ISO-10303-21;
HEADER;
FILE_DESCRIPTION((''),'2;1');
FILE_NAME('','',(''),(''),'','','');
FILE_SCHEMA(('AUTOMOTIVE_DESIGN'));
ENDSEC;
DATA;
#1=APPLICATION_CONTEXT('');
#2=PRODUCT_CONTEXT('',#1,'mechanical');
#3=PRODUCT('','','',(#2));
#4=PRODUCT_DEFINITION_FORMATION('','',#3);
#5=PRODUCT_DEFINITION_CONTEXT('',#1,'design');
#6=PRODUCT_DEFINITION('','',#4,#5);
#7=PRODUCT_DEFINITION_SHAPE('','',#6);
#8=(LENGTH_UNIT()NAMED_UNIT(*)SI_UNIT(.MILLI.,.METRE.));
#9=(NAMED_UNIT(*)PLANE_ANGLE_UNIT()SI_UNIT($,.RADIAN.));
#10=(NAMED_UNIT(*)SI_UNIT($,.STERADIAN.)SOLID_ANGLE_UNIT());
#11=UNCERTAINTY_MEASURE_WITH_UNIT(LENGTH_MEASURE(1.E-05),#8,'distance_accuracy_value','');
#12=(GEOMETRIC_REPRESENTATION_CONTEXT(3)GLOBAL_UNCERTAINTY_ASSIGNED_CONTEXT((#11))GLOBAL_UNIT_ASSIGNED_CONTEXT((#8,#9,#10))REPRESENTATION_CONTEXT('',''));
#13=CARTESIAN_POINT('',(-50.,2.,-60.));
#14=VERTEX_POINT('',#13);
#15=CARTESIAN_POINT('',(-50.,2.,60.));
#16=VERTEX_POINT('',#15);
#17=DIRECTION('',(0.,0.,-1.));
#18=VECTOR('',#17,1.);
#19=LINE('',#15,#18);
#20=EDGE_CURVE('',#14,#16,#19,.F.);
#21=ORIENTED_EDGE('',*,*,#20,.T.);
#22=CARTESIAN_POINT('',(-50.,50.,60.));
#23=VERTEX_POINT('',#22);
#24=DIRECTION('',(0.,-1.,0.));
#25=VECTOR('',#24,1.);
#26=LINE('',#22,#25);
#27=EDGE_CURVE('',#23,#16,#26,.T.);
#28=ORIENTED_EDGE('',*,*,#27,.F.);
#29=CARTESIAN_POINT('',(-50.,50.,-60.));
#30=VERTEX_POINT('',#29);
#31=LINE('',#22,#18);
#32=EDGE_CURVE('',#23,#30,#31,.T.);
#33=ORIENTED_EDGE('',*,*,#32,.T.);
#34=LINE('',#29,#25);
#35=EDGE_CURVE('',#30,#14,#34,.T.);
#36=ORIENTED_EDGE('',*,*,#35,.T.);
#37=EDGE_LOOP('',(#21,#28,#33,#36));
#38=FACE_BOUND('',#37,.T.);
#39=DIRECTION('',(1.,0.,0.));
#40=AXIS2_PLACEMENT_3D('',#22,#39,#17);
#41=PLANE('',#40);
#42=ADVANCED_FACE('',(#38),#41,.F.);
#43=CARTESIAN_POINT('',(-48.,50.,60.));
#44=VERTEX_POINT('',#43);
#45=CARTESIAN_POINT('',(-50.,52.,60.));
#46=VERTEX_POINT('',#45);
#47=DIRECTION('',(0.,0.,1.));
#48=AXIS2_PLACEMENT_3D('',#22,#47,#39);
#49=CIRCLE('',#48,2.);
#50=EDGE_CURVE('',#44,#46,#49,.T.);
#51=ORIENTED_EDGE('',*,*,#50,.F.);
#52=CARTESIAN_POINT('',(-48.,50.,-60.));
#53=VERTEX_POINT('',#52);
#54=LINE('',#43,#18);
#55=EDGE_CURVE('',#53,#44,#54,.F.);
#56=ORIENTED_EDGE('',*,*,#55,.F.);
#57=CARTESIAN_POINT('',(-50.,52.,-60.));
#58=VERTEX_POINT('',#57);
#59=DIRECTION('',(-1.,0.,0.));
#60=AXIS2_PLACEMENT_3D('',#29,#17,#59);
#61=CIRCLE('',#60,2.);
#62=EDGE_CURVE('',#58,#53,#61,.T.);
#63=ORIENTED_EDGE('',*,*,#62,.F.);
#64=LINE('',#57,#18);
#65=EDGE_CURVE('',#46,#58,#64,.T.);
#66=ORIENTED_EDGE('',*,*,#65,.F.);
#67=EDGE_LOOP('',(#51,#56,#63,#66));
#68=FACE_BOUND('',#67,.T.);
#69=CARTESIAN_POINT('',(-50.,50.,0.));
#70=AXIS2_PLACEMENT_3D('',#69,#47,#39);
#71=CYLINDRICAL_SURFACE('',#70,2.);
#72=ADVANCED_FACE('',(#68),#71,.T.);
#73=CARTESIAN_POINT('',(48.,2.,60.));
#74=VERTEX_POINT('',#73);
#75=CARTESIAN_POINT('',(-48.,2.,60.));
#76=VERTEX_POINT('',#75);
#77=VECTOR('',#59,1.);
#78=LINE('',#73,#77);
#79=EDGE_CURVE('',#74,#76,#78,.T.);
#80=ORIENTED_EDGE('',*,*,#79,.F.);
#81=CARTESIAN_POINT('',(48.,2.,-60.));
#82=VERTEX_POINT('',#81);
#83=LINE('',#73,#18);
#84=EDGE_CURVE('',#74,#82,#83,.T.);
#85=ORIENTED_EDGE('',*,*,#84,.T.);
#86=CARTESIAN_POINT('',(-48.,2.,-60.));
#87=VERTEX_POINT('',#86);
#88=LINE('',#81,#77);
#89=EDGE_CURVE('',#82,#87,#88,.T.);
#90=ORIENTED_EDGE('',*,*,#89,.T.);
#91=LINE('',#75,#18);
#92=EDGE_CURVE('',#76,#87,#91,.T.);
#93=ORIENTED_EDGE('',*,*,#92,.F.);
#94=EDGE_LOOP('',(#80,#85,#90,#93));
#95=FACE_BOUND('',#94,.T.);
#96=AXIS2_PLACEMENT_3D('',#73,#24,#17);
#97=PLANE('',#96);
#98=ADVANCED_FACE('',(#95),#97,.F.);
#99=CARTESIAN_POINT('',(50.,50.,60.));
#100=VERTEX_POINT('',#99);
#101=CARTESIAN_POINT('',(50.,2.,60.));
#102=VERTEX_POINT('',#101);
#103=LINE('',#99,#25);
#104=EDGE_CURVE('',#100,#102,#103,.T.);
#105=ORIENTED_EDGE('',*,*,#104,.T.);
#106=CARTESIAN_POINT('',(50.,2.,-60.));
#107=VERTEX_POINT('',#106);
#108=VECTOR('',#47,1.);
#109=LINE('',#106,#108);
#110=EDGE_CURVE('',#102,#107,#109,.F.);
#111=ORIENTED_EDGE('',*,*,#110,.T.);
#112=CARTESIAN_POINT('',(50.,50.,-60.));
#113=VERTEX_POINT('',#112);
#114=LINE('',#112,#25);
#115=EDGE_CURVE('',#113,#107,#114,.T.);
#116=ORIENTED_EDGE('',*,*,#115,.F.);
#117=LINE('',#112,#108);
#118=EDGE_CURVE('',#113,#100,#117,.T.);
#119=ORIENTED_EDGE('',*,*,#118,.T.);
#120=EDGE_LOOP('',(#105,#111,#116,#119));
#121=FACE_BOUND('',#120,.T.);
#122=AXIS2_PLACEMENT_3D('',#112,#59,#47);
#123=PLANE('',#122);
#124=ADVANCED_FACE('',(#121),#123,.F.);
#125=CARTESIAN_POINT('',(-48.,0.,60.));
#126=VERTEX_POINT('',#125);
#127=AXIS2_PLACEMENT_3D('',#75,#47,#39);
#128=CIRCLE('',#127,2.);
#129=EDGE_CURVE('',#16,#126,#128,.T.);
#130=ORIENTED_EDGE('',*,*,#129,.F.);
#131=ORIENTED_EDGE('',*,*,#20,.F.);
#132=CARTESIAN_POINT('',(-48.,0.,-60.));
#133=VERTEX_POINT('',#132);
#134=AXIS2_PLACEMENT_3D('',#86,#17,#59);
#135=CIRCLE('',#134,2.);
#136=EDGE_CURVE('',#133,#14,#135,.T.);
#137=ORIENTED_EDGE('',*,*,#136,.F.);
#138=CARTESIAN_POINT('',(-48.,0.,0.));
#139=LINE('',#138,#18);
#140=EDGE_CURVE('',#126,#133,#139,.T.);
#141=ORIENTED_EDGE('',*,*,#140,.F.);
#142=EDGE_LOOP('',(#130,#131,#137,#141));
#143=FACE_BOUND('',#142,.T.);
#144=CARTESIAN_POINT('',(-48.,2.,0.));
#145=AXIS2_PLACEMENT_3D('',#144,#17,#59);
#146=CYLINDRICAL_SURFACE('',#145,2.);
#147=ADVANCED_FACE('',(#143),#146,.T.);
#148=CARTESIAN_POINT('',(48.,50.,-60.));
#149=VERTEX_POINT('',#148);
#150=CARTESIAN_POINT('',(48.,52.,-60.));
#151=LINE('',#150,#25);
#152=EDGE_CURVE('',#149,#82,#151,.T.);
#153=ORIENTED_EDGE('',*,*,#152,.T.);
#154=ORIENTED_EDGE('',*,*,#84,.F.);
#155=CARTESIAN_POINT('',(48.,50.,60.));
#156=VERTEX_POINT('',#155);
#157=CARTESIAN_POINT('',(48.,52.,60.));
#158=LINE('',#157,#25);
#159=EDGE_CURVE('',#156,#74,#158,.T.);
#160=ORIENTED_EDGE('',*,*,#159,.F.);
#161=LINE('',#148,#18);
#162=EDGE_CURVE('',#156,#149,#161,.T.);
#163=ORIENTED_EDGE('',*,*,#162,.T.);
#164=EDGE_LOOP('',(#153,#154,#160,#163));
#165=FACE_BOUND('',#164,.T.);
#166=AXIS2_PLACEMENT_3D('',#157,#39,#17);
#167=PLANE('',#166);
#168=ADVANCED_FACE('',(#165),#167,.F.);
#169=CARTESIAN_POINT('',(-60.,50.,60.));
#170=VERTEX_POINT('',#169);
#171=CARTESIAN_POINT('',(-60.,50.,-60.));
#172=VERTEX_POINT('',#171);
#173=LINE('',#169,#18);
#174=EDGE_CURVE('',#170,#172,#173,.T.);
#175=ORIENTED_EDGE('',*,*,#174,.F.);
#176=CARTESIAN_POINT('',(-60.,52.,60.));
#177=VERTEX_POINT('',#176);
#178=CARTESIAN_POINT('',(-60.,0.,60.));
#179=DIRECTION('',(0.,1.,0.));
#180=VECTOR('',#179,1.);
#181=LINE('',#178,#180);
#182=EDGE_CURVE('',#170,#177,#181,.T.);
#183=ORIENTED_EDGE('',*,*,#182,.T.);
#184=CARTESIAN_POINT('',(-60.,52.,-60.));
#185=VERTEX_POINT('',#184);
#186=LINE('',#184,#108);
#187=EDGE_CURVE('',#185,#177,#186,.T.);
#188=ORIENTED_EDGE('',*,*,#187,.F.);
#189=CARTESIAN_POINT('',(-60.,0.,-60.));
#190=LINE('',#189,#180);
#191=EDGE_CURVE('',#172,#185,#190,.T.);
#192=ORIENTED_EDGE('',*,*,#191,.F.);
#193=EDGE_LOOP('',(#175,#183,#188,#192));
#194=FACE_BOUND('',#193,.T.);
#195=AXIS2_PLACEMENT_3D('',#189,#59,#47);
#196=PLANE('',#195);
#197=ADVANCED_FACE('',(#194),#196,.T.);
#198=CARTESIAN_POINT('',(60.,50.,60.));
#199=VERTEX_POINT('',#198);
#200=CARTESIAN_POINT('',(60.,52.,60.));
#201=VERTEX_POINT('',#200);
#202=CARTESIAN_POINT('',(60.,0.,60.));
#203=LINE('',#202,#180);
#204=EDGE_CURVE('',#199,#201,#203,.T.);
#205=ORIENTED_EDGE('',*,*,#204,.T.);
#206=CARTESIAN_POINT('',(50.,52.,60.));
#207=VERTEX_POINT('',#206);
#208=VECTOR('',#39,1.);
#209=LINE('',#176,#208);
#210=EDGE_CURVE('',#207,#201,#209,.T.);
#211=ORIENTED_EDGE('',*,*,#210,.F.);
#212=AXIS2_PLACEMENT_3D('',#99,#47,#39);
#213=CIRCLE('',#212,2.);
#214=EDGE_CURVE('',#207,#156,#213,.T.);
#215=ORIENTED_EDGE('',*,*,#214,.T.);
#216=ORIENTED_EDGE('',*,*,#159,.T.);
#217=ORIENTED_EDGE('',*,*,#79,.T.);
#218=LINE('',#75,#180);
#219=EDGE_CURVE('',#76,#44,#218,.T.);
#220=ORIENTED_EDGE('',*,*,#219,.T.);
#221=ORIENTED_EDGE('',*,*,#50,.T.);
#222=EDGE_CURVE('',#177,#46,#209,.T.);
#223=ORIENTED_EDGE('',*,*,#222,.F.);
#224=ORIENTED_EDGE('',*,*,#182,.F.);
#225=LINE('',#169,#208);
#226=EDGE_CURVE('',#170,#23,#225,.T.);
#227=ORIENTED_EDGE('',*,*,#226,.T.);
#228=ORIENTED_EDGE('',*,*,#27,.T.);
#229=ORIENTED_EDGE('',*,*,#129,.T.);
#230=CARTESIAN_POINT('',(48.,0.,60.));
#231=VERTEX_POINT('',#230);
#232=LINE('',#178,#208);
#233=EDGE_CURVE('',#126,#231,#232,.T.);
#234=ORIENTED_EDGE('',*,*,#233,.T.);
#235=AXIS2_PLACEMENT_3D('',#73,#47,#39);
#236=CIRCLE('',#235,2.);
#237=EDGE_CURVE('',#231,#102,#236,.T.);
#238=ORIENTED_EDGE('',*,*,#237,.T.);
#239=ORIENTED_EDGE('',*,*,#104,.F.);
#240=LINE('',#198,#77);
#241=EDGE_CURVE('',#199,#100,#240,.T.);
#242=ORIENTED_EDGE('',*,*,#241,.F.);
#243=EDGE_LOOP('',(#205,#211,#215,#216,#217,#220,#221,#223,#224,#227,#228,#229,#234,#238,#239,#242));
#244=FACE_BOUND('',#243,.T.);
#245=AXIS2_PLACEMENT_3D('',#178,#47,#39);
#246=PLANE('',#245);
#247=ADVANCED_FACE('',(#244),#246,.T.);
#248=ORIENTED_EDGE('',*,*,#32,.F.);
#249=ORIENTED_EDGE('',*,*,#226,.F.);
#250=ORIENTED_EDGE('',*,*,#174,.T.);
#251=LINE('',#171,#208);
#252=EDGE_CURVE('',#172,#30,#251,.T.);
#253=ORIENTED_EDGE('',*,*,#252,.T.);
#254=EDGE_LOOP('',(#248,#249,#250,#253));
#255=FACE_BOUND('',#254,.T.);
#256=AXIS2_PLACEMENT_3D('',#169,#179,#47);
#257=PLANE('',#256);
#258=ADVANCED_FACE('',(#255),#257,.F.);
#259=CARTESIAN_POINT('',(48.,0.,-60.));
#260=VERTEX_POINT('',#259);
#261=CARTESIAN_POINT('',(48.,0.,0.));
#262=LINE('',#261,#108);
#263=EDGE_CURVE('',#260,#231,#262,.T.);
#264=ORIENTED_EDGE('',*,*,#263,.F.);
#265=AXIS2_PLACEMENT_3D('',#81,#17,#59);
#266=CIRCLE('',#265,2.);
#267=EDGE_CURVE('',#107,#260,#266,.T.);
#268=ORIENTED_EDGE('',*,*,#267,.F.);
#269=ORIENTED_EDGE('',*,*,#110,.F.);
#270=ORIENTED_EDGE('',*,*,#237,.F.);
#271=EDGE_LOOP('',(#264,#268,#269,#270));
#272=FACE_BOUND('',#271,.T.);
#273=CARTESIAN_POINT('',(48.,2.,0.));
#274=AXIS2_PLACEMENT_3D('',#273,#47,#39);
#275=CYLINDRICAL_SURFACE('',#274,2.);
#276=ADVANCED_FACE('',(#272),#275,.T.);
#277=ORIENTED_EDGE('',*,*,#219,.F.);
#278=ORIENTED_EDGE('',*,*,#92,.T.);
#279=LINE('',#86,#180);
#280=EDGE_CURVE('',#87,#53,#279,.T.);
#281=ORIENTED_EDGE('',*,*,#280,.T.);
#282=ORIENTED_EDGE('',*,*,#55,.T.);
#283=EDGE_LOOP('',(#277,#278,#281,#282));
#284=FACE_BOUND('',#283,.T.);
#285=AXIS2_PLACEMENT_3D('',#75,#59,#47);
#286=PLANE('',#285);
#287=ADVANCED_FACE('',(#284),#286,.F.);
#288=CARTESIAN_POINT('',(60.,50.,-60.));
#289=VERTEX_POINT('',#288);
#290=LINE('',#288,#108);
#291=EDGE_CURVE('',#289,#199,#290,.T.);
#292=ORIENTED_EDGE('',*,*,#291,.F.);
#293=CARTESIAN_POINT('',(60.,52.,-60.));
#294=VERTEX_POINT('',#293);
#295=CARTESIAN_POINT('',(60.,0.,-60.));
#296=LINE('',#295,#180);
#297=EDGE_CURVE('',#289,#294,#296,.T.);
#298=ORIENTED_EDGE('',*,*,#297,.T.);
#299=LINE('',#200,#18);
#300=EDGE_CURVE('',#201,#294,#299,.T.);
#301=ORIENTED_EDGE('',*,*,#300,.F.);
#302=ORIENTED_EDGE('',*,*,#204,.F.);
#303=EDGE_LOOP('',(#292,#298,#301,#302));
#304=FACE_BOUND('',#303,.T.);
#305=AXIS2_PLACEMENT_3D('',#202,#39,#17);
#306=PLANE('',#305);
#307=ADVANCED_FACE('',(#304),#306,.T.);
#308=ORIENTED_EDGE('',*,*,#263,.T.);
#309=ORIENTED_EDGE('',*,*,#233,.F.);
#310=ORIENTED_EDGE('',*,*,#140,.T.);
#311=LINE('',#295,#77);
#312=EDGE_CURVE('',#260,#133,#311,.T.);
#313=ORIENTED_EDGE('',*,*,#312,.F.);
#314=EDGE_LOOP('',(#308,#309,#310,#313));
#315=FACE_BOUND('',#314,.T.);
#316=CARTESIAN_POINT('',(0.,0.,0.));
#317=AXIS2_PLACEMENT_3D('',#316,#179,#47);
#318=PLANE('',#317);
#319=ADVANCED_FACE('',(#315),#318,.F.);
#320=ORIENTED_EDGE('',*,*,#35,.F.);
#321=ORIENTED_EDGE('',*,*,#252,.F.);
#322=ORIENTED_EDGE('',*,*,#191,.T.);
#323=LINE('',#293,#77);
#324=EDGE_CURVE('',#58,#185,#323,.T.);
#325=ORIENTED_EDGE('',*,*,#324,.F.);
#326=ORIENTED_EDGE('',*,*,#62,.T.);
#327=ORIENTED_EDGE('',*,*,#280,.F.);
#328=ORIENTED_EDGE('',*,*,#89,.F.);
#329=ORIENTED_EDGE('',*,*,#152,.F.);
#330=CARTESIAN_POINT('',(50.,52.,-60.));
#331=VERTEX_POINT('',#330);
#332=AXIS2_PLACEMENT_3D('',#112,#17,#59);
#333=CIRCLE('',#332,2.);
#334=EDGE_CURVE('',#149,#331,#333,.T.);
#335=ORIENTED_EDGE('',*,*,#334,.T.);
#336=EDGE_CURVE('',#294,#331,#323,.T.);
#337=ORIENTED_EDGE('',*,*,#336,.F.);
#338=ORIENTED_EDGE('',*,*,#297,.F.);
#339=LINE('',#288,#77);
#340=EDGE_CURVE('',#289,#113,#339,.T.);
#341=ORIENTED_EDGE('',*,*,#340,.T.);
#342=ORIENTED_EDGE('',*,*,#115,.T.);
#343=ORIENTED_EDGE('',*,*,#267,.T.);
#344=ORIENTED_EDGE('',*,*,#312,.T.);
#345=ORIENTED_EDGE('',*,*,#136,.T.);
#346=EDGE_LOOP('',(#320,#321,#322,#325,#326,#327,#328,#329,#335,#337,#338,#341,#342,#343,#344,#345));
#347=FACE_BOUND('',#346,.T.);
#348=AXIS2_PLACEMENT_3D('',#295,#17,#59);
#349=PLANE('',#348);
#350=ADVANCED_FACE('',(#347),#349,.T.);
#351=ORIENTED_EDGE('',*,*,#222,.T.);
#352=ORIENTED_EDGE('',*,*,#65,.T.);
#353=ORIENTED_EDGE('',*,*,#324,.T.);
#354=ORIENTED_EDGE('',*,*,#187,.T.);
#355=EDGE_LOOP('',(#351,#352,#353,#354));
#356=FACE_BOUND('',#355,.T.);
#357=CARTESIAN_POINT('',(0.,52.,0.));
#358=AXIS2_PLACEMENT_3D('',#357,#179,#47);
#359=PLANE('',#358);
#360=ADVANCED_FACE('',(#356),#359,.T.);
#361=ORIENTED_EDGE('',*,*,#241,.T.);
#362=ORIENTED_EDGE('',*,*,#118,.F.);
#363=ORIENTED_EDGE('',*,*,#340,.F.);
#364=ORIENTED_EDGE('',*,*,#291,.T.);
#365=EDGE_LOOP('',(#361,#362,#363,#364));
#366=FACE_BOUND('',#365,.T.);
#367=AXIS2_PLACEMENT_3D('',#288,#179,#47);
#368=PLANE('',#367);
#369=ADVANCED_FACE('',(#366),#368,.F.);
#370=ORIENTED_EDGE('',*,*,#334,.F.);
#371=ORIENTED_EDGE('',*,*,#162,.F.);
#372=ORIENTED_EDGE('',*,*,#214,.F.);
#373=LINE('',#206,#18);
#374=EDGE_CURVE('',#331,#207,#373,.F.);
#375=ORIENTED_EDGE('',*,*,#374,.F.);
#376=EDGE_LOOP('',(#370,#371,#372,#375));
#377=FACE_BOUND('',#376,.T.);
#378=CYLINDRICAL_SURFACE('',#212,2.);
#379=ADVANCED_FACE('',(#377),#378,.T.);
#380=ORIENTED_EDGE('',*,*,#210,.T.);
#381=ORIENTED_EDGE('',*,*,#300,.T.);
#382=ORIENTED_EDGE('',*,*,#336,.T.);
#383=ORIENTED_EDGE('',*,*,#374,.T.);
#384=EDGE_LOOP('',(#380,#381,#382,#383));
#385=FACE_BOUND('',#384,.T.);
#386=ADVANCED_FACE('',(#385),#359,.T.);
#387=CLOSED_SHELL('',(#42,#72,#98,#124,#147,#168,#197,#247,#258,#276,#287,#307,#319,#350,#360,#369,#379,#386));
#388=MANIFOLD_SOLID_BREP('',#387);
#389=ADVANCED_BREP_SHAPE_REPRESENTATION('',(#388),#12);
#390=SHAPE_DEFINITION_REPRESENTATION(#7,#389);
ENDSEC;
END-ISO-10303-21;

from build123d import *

# Parameters (mm, degrees)
SKETCH_1_W          = 120
SKETCH_1_H          = 120
EXTRUDE_1_DEPTH     = 52
SKETCH_2_W          = 96
SKETCH_2_H          = 50
CUT_EXTRUDE_1_DEPTH = 144.888845989
SKETCH_4_W          = 10
SKETCH_4_H          = 50
CUT_EXTRUDE_2_DEPTH = 144.888845989
SKETCH_5_W          = 10
SKETCH_5_H          = 50
CUT_EXTRUDE_3_DEPTH = 144.888845989
FILLET_1_R          = 2


with BuildPart() as part:
    # 草图1 → 凸台-拉伸1 (new body)
    with BuildSketch(Plane(origin=(0, 52, 0), x_dir=(1, 0, 0), z_dir=(0, 1, 0))):
        Rectangle(SKETCH_1_W, SKETCH_1_H)
    extrude(amount=-EXTRUDE_1_DEPTH)

    # 草图2 → 切除-拉伸1 (cut, through all)
    with BuildSketch(Plane(origin=(0, 0, -60), x_dir=(-1, 0, 0), z_dir=(0, 0, -1))):
        with Locations((0, 27)):
            Rectangle(SKETCH_2_W, SKETCH_2_H)
    extrude(amount=-CUT_EXTRUDE_1_DEPTH, mode=Mode.SUBTRACT)

    # 草图4 → 切除-拉伸2 (cut, through all)
    with BuildSketch(Plane.XY.offset(60)):
        with Locations((55, 25)):
            Rectangle(SKETCH_4_W, SKETCH_4_H)
    extrude(amount=-CUT_EXTRUDE_2_DEPTH, mode=Mode.SUBTRACT)

    # 草图5 → 切除-拉伸3 (cut, through all)
    with BuildSketch(Plane(origin=(0, 0, -60), x_dir=(-1, 0, 0), z_dir=(0, 0, -1))):
        with Locations((55, 25)):
            Rectangle(SKETCH_5_W, SKETCH_5_H)
    extrude(amount=-CUT_EXTRUDE_3_DEPTH, mode=Mode.SUBTRACT)

    # 圆角1
    fillet_1_edges = [part.edges().sort_by_distance(p)[0] for p in [
        (48, 52, 0),
        (-48, 52, 0),
        (50, 0, 0),
        (-50, 0, 0),
    ]]
    fillet(fillet_1_edges, radius=FILLET_1_R)


solid = part.part
